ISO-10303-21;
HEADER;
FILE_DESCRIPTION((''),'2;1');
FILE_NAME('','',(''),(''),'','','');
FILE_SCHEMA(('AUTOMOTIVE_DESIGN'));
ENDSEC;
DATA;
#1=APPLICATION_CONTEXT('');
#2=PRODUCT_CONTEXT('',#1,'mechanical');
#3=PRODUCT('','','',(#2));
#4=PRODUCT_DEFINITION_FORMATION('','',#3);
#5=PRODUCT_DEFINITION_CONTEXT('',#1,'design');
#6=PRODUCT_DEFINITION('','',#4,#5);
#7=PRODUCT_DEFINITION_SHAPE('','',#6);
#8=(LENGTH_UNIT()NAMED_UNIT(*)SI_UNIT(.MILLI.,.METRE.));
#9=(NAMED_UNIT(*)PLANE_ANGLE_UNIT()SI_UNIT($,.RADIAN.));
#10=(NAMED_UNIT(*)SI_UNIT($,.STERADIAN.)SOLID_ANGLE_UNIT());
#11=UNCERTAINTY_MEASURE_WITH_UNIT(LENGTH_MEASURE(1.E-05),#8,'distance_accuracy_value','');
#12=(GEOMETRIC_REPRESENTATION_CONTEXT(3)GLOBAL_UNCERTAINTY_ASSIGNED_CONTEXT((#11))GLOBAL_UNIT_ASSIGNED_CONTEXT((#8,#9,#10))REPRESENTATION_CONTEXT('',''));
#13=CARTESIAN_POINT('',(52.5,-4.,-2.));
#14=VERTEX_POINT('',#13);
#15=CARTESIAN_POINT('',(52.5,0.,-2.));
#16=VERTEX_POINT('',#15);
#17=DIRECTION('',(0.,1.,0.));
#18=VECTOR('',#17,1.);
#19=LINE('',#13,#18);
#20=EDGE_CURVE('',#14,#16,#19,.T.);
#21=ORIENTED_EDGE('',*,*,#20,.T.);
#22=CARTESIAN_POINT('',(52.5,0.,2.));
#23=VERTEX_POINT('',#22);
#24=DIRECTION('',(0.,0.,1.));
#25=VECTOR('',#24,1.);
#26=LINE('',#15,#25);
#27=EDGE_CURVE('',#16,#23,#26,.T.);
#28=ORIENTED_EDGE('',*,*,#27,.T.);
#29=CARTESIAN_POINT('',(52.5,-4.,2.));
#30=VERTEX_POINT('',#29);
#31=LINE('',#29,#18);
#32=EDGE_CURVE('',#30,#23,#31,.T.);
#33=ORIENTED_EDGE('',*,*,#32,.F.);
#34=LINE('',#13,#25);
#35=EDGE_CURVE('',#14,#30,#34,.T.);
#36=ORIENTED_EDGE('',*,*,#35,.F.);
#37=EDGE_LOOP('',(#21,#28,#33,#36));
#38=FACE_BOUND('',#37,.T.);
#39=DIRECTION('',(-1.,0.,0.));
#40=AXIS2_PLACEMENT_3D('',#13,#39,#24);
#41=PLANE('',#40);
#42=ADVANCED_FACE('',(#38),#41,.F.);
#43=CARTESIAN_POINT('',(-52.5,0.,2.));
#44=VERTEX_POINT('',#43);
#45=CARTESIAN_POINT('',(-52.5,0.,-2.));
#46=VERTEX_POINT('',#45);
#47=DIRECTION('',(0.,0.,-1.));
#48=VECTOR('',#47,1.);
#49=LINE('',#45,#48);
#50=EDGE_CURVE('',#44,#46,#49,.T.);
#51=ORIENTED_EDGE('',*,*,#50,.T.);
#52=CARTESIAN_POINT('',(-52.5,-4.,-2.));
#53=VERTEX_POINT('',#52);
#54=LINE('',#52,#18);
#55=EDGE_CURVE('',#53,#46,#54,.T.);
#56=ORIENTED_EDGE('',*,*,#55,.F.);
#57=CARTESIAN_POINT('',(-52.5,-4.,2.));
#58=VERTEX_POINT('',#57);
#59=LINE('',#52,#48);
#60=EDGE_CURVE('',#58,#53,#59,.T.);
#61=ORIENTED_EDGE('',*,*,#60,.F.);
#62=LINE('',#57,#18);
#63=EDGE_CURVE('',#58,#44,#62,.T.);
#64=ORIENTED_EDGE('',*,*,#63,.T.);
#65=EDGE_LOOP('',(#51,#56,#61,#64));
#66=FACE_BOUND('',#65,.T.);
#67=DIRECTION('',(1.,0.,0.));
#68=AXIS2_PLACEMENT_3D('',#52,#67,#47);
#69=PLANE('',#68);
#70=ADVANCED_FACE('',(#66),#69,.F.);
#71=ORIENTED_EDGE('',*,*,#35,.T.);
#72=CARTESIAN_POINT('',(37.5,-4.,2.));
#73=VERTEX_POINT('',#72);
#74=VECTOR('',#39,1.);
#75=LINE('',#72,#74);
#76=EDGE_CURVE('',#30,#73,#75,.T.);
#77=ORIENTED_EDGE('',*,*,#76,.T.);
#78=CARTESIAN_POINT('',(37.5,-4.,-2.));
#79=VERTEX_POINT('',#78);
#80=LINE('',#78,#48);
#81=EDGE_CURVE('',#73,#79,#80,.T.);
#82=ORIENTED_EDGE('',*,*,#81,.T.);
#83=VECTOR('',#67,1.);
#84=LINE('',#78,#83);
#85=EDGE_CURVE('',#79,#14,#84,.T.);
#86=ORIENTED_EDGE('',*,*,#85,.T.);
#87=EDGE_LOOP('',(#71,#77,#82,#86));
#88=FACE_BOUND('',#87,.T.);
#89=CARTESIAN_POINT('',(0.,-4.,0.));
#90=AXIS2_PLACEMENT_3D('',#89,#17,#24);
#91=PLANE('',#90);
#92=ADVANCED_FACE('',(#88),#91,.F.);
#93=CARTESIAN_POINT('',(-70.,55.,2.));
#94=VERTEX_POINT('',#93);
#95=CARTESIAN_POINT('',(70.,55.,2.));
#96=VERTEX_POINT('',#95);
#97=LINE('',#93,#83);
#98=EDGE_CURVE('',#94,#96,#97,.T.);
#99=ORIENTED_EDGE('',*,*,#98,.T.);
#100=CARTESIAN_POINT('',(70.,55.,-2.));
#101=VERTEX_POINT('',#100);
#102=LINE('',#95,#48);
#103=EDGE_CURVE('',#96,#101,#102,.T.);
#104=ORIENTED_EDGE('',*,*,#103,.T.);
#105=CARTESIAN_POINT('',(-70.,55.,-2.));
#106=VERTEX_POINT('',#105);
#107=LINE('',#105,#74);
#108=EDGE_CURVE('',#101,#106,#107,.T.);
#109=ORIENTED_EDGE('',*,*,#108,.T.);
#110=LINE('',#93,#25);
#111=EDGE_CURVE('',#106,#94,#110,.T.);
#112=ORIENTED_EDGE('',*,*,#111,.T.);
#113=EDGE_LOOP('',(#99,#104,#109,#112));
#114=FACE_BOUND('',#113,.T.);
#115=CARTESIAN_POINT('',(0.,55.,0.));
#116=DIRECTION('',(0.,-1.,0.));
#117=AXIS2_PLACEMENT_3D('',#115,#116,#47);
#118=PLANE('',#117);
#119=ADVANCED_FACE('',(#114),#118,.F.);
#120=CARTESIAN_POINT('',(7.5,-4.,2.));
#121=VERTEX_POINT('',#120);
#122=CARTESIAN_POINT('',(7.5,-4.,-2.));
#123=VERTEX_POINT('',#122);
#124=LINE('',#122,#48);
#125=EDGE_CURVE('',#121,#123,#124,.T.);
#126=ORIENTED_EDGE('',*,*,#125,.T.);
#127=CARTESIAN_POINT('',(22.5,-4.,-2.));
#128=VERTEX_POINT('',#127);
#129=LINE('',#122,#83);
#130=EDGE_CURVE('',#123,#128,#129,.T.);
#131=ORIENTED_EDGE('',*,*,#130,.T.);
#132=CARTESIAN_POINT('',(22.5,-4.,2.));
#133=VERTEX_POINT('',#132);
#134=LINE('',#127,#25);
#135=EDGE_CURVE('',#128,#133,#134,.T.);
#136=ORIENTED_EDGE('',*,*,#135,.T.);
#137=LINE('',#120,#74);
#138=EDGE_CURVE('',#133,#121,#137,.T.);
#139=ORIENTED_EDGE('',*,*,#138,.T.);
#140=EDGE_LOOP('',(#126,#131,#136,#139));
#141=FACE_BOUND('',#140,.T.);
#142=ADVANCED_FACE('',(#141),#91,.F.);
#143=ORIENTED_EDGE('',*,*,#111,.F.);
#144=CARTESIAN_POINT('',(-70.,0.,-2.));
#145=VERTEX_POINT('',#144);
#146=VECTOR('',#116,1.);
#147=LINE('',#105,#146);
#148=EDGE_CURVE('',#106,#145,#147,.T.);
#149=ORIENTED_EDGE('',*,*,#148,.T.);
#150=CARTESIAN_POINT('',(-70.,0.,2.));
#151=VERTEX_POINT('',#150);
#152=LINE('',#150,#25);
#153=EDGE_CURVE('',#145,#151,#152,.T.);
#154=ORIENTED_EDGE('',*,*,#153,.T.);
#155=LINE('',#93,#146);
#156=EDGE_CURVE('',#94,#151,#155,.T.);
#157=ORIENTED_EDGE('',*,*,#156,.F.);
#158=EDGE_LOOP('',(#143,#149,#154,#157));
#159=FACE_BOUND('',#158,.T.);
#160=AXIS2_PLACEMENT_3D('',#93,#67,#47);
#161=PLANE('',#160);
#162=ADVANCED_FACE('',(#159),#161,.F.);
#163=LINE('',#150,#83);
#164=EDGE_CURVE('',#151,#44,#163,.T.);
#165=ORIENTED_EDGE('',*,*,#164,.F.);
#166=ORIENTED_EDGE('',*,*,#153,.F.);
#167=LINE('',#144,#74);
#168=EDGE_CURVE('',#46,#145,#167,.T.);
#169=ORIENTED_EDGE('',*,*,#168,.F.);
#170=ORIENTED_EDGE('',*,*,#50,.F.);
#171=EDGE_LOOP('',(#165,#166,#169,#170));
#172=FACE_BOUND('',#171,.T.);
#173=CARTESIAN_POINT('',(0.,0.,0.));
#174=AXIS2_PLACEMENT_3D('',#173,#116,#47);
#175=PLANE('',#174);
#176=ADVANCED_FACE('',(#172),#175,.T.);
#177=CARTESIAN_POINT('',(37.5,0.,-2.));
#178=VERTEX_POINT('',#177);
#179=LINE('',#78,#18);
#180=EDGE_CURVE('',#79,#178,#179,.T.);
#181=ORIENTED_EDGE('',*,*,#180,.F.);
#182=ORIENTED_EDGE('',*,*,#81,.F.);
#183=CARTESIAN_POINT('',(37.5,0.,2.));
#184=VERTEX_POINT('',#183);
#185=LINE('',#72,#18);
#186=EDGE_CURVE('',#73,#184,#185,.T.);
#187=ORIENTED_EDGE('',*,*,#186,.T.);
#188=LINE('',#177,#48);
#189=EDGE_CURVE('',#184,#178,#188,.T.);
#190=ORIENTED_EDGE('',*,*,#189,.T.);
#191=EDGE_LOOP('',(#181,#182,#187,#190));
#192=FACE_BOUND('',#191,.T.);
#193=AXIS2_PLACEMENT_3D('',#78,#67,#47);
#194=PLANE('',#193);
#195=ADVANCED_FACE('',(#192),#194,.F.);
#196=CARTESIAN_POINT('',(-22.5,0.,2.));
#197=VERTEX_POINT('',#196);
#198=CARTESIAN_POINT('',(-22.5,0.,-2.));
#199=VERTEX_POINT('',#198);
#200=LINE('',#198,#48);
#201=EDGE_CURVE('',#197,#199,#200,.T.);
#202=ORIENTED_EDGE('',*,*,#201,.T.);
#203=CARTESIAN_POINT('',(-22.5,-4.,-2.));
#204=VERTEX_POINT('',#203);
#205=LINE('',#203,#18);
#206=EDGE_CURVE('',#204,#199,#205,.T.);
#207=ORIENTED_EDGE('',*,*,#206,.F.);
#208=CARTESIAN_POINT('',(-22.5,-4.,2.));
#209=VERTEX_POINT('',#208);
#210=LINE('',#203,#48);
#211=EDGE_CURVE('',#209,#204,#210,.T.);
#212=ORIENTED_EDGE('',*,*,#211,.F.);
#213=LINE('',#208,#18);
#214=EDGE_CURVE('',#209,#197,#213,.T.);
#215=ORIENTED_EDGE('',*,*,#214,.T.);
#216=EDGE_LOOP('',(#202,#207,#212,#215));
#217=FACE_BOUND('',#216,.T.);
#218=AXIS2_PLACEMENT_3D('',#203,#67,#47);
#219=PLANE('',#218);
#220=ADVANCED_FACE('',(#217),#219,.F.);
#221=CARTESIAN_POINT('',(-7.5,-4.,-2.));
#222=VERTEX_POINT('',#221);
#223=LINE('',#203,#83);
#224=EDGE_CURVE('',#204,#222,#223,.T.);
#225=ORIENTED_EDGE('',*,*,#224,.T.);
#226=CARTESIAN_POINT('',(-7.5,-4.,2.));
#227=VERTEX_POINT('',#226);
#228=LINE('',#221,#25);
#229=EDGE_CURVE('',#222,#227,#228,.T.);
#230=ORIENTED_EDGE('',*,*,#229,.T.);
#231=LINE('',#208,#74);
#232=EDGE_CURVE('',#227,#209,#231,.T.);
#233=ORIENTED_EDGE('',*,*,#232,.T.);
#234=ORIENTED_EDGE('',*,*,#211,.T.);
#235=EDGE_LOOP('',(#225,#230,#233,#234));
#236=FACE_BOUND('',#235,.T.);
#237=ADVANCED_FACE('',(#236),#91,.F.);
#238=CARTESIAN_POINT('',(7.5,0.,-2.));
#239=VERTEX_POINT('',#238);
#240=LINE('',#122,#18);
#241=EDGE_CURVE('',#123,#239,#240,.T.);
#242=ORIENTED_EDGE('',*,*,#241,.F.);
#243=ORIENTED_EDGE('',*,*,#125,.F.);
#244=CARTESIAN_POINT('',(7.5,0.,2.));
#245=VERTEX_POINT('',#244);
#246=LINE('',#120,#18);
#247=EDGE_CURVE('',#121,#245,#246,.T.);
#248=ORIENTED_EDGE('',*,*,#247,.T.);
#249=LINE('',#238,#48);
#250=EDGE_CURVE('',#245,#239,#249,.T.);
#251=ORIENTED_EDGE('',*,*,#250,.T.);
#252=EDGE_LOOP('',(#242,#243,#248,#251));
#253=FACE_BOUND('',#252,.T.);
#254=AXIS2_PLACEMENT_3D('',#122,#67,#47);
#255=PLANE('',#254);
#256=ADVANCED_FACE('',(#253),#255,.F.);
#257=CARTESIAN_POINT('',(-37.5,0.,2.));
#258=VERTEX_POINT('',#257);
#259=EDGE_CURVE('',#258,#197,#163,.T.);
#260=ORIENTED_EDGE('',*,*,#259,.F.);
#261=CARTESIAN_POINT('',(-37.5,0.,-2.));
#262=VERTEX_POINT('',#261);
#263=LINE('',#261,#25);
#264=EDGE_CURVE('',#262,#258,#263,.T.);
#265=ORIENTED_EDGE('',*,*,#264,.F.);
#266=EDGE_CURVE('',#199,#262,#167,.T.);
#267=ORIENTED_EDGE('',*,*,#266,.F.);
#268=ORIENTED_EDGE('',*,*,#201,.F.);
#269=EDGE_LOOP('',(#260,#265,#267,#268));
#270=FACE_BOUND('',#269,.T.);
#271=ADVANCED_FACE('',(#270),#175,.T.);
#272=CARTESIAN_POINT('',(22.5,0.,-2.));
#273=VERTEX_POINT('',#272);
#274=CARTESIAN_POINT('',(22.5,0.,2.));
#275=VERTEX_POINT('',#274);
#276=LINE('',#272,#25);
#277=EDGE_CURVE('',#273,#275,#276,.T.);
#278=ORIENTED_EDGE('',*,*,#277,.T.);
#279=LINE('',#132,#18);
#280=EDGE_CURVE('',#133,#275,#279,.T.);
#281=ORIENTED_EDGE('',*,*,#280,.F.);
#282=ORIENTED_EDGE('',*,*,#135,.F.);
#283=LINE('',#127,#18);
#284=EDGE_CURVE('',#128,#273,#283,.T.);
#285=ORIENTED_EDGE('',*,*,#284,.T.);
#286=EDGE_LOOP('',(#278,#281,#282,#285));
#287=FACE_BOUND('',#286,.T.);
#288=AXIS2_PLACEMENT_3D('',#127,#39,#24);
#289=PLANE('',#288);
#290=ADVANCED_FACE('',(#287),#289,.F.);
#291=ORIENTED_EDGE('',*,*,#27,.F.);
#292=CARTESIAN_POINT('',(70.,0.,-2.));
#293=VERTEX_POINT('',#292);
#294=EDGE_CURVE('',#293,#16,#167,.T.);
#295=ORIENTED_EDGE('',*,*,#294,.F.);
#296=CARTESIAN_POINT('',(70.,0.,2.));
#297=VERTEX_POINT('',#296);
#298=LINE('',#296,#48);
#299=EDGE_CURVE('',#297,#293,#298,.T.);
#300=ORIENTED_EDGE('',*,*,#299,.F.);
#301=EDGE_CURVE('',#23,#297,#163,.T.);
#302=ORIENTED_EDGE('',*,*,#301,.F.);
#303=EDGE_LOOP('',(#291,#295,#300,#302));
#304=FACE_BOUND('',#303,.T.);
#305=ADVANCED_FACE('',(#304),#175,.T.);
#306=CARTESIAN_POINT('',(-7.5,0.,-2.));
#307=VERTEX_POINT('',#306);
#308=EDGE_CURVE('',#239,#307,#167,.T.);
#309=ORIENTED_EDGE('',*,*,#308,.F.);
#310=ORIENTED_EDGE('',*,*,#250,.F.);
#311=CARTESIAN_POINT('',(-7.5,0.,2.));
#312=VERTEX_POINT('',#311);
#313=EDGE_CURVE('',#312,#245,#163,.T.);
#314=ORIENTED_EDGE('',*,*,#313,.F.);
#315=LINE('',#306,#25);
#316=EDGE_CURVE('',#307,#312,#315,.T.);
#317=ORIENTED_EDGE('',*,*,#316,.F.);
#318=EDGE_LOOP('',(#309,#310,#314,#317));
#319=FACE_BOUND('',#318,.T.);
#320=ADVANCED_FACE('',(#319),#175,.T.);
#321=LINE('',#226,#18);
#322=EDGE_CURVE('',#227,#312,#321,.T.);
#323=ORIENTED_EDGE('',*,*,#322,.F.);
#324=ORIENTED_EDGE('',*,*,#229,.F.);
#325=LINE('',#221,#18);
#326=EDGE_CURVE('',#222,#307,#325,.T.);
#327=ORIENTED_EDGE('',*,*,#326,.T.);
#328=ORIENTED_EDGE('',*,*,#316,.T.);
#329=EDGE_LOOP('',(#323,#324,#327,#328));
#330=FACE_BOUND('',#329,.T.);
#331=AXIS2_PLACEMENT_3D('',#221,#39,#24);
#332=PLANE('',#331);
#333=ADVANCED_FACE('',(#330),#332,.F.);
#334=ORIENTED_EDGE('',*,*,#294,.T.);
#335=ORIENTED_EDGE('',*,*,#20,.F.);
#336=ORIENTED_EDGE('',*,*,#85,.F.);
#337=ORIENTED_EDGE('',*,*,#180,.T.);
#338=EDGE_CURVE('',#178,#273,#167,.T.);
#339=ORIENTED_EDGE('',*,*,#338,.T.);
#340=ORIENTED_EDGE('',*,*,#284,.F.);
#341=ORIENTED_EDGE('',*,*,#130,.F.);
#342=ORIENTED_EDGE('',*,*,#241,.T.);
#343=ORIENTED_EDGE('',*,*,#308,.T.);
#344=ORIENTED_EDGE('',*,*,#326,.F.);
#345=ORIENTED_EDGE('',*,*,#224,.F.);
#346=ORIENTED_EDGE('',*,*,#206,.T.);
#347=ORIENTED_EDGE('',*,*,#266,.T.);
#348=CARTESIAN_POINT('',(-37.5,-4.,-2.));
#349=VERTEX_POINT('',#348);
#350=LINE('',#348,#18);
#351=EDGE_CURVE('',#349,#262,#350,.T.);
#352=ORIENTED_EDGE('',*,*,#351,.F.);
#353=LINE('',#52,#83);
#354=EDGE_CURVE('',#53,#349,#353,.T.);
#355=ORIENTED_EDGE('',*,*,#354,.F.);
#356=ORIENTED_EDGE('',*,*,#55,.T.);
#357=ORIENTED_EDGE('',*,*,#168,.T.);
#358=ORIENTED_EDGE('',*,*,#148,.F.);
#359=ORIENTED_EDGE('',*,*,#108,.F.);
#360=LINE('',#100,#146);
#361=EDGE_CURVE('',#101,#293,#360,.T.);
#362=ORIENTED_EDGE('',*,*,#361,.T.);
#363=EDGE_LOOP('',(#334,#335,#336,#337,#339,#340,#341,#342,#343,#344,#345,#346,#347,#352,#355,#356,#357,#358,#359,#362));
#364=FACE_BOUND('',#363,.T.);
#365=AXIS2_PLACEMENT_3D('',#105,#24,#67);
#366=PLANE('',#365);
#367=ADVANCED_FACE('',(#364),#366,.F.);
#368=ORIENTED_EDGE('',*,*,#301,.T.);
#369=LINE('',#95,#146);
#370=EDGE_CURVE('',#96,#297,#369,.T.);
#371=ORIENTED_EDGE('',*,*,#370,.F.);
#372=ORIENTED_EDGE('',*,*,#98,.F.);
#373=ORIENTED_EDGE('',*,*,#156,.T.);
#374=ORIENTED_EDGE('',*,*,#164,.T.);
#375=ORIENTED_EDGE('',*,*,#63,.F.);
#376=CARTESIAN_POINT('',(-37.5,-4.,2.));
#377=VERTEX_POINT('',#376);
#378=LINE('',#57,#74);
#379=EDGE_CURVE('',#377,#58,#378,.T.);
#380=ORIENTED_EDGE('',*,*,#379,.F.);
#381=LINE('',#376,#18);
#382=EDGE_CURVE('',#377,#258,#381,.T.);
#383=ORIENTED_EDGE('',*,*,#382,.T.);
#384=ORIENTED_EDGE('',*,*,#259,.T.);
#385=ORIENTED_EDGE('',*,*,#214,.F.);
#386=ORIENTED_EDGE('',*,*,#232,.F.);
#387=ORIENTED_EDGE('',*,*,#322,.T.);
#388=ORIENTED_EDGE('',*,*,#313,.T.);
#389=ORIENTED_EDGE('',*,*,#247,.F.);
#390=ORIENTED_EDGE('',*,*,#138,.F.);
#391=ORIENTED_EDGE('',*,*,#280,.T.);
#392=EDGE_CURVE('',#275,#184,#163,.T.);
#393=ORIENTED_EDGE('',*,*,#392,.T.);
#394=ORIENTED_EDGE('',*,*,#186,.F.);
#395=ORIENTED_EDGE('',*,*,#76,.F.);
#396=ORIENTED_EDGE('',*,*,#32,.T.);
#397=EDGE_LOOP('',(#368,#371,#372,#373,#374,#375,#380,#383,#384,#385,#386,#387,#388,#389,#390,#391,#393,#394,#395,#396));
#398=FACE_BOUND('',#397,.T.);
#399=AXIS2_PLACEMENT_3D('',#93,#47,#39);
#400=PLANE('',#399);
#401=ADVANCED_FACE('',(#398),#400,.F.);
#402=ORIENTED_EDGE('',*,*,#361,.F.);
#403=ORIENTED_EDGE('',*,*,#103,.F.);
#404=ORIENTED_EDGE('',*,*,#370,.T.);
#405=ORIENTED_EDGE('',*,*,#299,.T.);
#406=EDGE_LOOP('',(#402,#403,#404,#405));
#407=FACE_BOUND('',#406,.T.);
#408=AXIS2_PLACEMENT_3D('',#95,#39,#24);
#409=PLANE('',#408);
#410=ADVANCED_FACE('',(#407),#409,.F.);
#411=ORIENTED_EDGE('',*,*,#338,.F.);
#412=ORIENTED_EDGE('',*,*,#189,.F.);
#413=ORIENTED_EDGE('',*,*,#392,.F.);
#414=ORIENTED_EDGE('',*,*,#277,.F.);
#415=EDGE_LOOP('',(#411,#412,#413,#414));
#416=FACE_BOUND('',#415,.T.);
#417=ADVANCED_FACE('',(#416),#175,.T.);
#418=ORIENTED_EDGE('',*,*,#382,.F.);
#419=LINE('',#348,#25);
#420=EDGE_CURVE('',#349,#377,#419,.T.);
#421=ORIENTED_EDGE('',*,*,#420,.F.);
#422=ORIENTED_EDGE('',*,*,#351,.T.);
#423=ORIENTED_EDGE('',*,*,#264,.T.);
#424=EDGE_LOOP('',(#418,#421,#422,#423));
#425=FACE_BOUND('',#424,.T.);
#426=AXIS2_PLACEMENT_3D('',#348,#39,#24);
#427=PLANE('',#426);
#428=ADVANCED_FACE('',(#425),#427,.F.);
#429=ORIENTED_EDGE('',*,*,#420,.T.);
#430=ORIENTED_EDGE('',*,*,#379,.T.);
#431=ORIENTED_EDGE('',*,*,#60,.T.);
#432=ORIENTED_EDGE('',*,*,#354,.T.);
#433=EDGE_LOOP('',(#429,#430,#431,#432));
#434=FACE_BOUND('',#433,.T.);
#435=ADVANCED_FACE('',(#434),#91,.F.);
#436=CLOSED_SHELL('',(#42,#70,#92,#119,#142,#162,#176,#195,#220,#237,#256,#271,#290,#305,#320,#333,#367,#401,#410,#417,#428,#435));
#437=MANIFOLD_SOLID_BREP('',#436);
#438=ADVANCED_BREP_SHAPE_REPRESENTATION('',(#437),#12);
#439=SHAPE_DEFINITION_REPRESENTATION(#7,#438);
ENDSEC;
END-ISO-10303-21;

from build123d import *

# Parameters (mm, degrees)
SKETCH1_W           = 140
SKETCH1_H           = 4
BOSS_EXTRUDE1_DEPTH = 55
SKETCH2_W           = 15
SKETCH2_H           = 4
BOSS_EXTRUDE2_DEPTH = 4


with BuildPart() as part:
    # Sketch1 → Boss-Extrude1 (new body)
    with BuildSketch(Plane(origin=(0, 0, 0), x_dir=(1, 0, 0), z_dir=(0, 1, 0))):
        Rectangle(SKETCH1_W, SKETCH1_H)
    extrude(amount=BOSS_EXTRUDE1_DEPTH)

    # Sketch2 → Boss-Extrude2 (add)
    with BuildSketch(Plane(origin=(0, 0, 0), x_dir=(-1, 0, 0), z_dir=(0, -1, 0))):
        with Locations((45, 0)):
            Rectangle(SKETCH2_W, SKETCH2_H)
        with Locations((15, 0)):
            Rectangle(SKETCH2_W, SKETCH2_H)
        with Locations((-15, 0)):
            Rectangle(SKETCH2_W, SKETCH2_H)
        with Locations((-45, 0)):
            Rectangle(SKETCH2_W, SKETCH2_H)
    extrude(amount=BOSS_EXTRUDE2_DEPTH)


solid = part.part
